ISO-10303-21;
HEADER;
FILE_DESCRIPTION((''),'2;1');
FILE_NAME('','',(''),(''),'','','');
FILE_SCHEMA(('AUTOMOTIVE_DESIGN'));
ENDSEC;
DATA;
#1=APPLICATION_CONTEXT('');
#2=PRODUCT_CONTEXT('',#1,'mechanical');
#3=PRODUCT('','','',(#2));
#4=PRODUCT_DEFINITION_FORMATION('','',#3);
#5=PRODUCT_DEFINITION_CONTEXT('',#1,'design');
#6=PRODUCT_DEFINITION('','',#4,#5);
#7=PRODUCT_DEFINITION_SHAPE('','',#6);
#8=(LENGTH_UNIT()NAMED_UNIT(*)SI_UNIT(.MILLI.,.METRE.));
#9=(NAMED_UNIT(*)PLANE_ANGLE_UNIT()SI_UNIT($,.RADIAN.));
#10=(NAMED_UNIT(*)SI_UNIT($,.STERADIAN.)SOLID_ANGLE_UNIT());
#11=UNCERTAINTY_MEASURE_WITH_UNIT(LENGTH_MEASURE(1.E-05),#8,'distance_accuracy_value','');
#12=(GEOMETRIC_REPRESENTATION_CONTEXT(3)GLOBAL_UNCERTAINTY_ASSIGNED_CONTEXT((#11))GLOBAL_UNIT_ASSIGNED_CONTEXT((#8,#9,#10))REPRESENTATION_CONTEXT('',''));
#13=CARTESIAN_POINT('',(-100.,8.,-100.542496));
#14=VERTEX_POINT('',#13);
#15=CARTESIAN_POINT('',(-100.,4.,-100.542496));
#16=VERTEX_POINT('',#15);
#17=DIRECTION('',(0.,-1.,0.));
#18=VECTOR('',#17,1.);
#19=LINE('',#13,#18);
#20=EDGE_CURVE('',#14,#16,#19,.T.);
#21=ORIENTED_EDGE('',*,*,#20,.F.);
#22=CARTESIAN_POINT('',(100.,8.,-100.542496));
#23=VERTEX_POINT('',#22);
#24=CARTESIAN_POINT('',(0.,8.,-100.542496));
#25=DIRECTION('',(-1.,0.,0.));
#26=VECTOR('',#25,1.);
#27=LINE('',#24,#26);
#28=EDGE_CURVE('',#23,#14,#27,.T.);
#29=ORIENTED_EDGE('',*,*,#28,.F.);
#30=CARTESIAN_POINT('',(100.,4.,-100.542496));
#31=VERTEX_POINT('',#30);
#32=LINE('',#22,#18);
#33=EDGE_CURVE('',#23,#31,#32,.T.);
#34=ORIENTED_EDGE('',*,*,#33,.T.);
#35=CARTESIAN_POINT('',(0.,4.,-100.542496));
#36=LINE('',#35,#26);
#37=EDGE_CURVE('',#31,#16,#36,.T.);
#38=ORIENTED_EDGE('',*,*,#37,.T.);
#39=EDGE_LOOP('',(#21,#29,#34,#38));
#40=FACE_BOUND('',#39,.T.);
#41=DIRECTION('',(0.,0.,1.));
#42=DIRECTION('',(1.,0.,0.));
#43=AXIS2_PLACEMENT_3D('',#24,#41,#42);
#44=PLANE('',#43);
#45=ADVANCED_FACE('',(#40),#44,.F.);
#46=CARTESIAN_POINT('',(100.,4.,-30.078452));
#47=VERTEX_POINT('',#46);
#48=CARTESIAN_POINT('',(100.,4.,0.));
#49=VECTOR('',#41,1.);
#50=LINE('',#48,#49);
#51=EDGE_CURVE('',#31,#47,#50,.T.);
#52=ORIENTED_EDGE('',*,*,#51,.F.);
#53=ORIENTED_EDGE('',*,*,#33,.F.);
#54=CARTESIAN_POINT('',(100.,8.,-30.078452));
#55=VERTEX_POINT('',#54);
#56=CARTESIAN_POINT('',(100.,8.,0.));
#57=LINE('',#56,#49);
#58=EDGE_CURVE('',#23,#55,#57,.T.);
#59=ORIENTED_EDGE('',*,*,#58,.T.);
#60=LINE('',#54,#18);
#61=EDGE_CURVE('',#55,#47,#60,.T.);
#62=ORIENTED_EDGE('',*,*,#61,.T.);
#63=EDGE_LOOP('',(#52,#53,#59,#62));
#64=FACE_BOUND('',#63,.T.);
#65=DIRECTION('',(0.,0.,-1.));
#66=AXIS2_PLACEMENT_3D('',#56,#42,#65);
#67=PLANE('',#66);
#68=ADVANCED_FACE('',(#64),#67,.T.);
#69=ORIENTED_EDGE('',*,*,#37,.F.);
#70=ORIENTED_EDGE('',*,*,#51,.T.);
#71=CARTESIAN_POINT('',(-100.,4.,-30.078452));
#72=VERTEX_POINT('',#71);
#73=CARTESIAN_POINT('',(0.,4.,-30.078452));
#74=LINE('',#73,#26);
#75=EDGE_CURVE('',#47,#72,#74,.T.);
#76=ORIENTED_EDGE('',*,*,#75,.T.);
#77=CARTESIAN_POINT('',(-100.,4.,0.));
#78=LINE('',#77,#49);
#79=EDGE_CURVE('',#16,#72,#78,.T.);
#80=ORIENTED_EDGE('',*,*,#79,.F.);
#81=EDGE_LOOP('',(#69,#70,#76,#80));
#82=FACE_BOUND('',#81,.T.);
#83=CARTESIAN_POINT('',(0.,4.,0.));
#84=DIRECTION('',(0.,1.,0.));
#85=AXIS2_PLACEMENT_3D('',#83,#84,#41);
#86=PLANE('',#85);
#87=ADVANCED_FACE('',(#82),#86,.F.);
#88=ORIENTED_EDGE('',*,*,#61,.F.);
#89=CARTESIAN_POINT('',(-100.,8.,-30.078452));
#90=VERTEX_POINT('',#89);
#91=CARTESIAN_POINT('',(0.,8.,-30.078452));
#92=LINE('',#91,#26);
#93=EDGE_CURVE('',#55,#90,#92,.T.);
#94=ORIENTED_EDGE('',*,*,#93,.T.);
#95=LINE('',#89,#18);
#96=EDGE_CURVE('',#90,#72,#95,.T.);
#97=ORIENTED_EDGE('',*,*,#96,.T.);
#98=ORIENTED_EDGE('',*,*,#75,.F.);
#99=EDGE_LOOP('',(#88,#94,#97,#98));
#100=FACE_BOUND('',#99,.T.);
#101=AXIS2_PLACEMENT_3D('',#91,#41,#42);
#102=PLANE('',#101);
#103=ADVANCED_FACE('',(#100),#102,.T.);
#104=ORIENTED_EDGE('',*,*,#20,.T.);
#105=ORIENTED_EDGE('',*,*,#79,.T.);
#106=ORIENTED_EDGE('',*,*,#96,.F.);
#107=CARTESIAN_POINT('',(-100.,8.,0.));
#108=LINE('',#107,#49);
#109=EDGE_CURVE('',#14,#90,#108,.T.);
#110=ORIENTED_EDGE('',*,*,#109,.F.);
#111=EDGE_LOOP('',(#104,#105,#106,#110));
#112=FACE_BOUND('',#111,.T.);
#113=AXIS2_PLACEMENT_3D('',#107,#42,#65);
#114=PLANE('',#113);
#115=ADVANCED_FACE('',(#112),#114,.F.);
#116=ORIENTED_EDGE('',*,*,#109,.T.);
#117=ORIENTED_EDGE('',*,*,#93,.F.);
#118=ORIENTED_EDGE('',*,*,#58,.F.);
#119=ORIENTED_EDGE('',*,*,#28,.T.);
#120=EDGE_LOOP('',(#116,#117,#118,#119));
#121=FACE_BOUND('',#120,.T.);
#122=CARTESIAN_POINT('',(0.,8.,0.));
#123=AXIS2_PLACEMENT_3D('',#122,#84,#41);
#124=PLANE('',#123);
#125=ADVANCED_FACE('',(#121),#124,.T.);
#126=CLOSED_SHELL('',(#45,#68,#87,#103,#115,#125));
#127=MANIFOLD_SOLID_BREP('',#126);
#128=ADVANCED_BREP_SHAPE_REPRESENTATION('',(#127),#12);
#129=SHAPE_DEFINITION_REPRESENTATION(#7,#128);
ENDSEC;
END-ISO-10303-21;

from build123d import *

# Parameters (mm, degrees)
SKETCH1_W           = 170
SKETCH1_H           = 140
BOSS_EXTRUDE1_DEPTH = 4
SKETCH2_W           = 200
SKETCH2_H           = 70.464044802
BOSS_EXTRUDE2_DEPTH = 4
SKETCH3_W           = 180
SKETCH3_H           = 170
CUT_EXTRUDE2_DEPTH  = 10
SKETCH4_W           = 208.329429668
SKETCH4_H           = 25.795902732
CUT_EXTRUDE3_DEPTH  = 10


with BuildPart() as part:
    # Sketch1 → Boss-Extrude1 (new body)
    with BuildSketch(Plane(origin=(0, 0, 0), x_dir=(1, 0, 0), z_dir=(0, 1, 0))):
        with Locations((85, 70)):
            Rectangle(SKETCH1_W, SKETCH1_H)
    extrude(amount=BOSS_EXTRUDE1_DEPTH)

    # Sketch2 → Boss-Extrude2 (add)
    with BuildSketch(Plane(origin=(0, 4, 0), x_dir=(1, 0, 0), z_dir=(0, 1, 0))):
        with Locations((0, 65.310473928)):
            Rectangle(SKETCH2_W, SKETCH2_H)
    extrude(amount=BOSS_EXTRUDE2_DEPTH)

    # Sketch3 → Cut-Extrude2 (cut)
    with BuildSketch(Plane(origin=(0, 4, 0), x_dir=(1, 0, 0), z_dir=(0, 1, 0))):
        with Locations((80.942291323, 86.090427605)):
            Rectangle(SKETCH3_W, SKETCH3_H)
    extrude(amount=-CUT_EXTRUDE2_DEPTH, mode=Mode.SUBTRACT)


with BuildPart() as cut_extrude2_piece_1:
    # of the separate pieces the step leaves, piece 1, a body of its own (cut_extrude2_pieces)
    add(part.part.solids().sort_by_distance((100, 4, -30.078451527))[0])


with BuildPart() as cut_extrude2_piece_2:
    # of the separate pieces the step leaves, piece 2, a body of its own (cut_extrude2_pieces)
    add(part.part.solids().sort_by_distance((0, 0, 0))[0])

    # Sketch4 → Cut-Extrude3 (cut)
    with BuildSketch(Plane(origin=(0, 4, 0), x_dir=(1, 0, 0), z_dir=(0, 1, 0))):
        with Locations((90.618611287, -0.959663867)):
            Rectangle(SKETCH4_W, SKETCH4_H)
    extrude(amount=-CUT_EXTRUDE3_DEPTH, mode=Mode.SUBTRACT)


solid = cut_extrude2_piece_1.part
